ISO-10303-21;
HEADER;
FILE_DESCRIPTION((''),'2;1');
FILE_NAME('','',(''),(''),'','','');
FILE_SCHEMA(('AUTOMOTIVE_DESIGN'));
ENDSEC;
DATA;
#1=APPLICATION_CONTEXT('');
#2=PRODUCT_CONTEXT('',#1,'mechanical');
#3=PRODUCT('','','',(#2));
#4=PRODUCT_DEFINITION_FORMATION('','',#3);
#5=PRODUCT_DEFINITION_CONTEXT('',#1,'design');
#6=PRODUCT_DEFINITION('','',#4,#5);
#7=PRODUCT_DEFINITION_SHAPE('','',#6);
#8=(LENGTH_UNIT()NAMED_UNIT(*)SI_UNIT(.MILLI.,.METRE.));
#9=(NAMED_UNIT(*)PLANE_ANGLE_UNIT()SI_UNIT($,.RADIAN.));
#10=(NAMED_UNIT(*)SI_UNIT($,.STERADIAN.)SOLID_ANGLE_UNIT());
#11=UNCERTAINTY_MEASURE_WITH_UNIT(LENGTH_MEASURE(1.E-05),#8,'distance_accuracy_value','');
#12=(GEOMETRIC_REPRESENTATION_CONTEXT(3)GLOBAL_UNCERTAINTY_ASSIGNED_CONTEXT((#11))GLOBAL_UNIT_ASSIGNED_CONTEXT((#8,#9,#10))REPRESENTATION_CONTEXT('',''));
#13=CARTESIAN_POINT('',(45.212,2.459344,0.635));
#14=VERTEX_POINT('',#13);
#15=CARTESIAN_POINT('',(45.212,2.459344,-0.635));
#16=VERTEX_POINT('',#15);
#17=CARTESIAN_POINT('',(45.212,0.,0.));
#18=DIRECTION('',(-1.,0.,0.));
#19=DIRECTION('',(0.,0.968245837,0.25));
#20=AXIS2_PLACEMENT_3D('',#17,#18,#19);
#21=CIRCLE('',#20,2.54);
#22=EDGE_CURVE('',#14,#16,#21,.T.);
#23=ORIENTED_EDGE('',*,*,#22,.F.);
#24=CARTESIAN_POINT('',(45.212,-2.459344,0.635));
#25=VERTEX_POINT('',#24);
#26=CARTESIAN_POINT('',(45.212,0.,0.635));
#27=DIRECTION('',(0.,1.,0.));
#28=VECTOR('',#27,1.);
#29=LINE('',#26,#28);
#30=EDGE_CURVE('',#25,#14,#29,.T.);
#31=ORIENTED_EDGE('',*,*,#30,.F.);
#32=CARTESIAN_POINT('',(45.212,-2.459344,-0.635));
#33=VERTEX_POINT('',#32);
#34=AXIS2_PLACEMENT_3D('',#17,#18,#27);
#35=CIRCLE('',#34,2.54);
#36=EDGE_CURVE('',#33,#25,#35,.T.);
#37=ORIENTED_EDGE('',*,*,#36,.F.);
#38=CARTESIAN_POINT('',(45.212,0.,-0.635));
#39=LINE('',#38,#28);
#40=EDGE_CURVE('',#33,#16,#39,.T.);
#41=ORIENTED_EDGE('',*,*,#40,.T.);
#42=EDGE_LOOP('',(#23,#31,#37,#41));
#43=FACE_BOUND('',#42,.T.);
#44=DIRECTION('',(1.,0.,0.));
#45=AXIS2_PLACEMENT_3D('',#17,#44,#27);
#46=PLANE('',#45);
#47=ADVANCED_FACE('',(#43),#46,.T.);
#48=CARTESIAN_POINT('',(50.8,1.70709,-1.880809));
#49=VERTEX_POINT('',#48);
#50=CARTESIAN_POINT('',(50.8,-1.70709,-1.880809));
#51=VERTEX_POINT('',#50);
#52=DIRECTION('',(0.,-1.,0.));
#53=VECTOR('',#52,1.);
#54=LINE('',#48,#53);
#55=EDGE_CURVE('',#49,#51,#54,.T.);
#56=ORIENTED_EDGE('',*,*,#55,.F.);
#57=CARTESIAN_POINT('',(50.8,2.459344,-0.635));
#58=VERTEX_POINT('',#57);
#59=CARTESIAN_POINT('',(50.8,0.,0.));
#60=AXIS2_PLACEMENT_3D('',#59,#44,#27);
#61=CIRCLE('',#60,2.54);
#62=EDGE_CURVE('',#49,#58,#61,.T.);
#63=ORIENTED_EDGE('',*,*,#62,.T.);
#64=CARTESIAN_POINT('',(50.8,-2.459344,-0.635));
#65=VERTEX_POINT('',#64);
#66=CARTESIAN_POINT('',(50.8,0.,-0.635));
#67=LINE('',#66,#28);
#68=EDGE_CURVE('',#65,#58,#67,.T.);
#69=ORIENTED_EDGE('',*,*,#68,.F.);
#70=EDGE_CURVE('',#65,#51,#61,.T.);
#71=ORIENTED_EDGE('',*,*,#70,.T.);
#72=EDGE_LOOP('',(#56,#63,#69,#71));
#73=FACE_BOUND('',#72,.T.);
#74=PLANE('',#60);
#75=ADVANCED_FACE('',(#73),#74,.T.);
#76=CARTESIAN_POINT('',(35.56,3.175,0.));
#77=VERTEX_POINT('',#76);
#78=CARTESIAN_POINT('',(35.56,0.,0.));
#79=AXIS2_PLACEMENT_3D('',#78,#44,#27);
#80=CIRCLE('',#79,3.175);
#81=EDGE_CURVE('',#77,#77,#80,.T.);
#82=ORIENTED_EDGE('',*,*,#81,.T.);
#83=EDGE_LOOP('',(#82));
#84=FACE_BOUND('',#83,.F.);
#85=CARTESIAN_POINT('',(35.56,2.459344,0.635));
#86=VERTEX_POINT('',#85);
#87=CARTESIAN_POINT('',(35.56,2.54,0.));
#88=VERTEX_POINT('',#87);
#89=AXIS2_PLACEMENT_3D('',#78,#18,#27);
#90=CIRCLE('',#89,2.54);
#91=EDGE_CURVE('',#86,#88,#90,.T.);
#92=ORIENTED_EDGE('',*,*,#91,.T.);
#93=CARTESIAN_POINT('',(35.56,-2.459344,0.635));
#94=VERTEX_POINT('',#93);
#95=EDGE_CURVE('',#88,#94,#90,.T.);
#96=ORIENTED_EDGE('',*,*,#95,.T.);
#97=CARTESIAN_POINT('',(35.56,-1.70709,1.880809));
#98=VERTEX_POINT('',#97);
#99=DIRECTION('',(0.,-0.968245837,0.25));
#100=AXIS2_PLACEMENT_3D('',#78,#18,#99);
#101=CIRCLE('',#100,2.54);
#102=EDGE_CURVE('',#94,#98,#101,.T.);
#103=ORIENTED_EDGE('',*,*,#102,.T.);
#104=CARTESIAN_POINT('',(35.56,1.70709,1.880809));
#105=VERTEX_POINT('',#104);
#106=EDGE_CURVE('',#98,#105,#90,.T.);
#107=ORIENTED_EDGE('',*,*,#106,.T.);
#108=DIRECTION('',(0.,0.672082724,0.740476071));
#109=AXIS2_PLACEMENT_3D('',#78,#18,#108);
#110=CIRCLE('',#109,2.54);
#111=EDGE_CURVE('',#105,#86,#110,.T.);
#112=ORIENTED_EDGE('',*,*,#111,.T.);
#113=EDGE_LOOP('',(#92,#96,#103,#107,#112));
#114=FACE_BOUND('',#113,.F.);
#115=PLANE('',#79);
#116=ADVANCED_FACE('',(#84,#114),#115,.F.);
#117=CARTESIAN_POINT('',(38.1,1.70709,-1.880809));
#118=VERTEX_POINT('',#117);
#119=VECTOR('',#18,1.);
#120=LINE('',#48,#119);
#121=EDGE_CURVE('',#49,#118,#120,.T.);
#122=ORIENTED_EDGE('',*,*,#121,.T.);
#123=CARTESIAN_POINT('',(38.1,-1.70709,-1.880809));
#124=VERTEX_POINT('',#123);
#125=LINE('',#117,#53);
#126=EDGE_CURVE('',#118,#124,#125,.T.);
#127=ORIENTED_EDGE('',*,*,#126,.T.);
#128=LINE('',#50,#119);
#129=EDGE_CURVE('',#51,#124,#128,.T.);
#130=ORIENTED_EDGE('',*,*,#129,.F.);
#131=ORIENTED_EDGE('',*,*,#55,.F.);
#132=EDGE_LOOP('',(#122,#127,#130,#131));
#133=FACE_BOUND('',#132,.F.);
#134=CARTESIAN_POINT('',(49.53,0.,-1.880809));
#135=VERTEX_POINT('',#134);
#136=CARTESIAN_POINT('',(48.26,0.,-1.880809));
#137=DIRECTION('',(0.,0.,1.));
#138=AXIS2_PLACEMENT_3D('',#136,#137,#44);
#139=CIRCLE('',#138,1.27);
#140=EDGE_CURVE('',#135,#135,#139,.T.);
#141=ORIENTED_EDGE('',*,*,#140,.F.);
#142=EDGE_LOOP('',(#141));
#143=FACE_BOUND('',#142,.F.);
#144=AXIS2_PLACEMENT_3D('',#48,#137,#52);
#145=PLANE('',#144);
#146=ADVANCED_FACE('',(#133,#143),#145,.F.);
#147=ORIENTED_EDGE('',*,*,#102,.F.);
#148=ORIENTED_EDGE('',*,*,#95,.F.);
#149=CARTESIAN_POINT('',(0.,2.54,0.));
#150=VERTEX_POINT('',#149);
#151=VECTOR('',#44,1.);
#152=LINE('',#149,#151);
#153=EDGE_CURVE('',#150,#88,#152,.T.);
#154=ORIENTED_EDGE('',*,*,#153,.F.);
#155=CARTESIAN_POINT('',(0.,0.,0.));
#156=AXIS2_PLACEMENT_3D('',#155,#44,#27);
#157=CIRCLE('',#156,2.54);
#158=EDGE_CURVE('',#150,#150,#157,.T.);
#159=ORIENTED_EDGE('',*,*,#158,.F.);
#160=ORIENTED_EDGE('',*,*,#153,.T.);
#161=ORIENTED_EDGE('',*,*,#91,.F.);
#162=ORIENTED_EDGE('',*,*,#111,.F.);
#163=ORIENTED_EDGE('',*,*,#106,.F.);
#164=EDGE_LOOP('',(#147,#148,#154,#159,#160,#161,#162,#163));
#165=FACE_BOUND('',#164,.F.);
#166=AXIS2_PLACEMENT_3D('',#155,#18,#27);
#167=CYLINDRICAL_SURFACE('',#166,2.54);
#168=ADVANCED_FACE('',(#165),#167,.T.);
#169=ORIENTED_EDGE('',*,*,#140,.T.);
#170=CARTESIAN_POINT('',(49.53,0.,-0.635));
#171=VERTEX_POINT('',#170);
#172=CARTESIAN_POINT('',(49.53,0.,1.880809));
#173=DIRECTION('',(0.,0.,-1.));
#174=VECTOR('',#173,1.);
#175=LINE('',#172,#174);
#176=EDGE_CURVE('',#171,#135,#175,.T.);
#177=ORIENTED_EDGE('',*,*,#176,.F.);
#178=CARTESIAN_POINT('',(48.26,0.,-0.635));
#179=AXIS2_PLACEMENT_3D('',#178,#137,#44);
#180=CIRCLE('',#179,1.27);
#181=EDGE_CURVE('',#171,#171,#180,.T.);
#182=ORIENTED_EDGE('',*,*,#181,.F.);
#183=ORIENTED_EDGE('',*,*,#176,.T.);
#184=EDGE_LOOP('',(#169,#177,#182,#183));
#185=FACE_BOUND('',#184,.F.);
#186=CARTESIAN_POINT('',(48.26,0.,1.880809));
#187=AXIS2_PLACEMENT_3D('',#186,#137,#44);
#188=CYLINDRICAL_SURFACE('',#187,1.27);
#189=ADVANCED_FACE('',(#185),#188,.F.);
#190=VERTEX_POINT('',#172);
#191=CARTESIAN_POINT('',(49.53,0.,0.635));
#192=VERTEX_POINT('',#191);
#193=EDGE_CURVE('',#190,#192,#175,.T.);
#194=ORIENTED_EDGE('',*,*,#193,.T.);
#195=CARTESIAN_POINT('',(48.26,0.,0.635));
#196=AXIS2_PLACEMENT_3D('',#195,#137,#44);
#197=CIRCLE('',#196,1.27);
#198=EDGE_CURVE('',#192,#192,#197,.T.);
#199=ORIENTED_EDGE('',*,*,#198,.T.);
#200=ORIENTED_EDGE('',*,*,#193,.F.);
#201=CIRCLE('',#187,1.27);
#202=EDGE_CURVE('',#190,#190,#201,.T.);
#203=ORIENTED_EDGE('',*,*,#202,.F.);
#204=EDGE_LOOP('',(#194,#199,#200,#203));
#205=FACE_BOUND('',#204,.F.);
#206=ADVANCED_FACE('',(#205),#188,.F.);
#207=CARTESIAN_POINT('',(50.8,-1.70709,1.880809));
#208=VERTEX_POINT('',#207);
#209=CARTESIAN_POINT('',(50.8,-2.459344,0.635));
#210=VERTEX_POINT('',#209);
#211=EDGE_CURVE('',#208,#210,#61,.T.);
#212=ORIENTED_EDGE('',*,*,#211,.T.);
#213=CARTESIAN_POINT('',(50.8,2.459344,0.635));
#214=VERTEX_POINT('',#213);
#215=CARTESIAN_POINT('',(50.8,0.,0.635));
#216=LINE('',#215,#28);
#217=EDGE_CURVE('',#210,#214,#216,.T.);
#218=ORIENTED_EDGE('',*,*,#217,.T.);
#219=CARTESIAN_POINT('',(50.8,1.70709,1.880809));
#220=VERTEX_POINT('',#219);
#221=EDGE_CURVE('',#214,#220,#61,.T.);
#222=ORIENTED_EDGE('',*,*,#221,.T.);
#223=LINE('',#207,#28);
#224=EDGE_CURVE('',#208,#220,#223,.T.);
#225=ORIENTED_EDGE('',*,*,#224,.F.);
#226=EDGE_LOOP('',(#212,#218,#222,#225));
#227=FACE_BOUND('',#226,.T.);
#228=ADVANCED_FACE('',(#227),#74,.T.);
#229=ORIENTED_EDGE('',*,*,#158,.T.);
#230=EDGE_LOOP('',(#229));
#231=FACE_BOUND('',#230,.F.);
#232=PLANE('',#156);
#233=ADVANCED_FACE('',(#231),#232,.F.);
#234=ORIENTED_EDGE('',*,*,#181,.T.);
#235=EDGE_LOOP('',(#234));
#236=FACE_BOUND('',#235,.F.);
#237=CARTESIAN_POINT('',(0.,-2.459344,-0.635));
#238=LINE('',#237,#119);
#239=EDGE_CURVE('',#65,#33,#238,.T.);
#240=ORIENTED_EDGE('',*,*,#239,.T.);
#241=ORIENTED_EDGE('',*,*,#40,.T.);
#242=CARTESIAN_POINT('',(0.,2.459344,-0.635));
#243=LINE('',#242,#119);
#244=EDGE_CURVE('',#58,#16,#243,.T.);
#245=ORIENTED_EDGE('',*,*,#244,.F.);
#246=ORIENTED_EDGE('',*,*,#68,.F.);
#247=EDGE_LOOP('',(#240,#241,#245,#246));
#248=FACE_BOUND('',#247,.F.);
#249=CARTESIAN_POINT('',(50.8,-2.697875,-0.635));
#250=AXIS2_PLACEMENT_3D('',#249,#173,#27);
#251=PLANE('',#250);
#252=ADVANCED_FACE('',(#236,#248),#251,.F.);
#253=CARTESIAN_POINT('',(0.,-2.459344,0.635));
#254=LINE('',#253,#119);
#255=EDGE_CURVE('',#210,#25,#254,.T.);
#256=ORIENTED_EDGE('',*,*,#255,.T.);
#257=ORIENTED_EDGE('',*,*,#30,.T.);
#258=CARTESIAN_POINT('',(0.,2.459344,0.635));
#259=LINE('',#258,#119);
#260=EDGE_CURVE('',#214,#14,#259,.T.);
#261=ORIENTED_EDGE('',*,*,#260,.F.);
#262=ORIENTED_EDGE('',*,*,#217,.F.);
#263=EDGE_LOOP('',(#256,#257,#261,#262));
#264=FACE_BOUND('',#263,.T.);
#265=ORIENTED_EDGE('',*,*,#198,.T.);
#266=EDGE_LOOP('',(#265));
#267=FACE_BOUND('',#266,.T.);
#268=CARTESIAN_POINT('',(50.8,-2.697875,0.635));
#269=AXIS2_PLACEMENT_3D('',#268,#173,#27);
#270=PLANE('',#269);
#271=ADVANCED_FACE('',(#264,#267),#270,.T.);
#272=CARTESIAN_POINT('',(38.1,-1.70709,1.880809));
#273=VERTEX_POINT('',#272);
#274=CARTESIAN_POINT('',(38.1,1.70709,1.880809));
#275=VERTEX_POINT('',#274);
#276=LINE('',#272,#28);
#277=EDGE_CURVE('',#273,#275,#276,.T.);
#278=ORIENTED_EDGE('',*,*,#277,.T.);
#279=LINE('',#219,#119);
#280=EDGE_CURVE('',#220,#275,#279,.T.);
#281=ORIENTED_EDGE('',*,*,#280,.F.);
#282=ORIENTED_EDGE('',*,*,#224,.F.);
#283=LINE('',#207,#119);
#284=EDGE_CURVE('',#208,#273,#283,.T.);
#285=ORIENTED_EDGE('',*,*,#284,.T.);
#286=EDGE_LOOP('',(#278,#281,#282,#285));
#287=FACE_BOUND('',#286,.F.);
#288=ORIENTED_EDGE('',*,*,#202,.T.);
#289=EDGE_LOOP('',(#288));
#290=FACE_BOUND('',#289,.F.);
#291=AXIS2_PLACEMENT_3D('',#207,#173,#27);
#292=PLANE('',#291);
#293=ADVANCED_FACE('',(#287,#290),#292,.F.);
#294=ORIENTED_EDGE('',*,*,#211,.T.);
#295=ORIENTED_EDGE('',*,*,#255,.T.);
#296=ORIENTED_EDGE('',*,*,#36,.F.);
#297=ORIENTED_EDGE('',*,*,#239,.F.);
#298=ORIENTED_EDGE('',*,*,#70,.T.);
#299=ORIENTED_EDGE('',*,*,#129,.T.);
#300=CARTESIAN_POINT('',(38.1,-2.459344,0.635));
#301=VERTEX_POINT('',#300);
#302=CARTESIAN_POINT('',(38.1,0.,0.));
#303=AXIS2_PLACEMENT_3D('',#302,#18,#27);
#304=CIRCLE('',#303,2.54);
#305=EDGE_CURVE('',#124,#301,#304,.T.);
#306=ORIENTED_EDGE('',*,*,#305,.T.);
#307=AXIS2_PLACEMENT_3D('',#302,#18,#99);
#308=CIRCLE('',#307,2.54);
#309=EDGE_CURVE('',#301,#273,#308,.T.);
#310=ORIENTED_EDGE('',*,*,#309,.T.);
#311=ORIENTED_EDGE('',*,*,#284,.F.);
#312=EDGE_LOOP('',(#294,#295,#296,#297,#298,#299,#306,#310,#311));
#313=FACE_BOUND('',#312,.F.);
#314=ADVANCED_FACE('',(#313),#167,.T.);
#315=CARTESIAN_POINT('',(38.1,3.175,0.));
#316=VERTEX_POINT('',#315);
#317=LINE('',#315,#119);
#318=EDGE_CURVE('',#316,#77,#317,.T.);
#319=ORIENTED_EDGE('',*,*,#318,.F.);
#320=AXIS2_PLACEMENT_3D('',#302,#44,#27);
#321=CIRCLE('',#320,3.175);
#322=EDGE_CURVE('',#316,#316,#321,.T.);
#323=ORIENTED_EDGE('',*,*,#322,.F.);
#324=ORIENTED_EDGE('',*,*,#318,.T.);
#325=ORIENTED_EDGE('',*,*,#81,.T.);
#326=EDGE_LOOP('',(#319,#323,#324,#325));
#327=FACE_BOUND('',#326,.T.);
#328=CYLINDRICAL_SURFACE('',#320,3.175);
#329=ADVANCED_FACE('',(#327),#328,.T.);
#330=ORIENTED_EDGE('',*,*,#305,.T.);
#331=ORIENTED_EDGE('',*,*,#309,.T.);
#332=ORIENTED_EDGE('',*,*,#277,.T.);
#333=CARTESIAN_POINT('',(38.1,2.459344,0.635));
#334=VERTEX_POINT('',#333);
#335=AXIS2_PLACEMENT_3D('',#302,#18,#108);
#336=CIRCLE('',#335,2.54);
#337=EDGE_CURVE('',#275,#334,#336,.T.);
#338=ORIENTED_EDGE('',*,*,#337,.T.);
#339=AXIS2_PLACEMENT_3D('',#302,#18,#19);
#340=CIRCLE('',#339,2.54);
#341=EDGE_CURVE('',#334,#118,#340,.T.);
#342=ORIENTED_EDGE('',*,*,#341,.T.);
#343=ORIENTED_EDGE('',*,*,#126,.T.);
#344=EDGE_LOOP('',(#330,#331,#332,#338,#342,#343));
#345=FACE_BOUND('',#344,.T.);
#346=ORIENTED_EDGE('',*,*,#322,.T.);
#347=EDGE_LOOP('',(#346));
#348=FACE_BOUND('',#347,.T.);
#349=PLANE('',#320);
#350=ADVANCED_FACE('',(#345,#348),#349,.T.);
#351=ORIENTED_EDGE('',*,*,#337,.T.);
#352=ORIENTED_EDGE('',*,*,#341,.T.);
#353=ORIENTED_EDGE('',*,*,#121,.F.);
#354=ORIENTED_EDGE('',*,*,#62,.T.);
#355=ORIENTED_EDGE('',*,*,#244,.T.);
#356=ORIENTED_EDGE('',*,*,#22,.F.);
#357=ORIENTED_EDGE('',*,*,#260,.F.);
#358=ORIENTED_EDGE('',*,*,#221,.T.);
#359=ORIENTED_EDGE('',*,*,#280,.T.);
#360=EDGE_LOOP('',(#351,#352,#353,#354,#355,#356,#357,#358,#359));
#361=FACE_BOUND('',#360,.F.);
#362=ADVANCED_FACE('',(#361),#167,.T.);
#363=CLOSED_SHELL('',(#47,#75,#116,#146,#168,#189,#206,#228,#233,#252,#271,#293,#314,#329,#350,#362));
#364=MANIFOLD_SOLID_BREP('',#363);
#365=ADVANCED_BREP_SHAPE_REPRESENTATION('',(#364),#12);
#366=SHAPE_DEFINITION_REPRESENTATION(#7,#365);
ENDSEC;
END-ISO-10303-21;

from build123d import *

# Parameters (mm, degrees)
F0_R     = 2.54
F1_DEPTH = 50.8
F3_DEPTH = 12.7
F4_W     = 5.3957496343
F4_H     = 1.27
F5_DEPTH = 5.588
F6_R     = 1.27
F7_DEPTH = 25.4
F9_START = -12.7
F8_R     = 3.175
F9_DEPTH = 2.54


with BuildPart() as f1:
    # F0 (on Right) → F1 (new body)
    with BuildSketch(Plane.YZ):
        Circle(F0_R)
    extrude(amount=F1_DEPTH)

    # F2 (on face) → F3 (cut)
    with BuildSketch(Plane.YZ.offset(50.8)):
        with BuildLine():
            Line((1.7070901198, -3.1991907798), (1.7070901198, -1.8808092202))
            ThreePointArc((1.7070901198, -1.8808092202), (0, -2.54), (-1.7070901198, -1.8808092202))
            Line((-1.7070901198, -1.8808092202), (-1.7070901198, -3.1991907798))
            Line((-1.7070901198, -3.1991907798), (1.7070901198, -3.1991907798))
        make_face()
        with BuildLine():
            ThreePointArc((-1.7070901198, -1.8808092202), (0, -2.54), (1.7070901198, -1.8808092202))
            Line((1.7070901198, -1.8808092202), (-1.7070901198, -1.8808092202))
        make_face()
        with BuildLine():
            Line((-1.7070901198, 1.8808092202), (1.7070901198, 1.8808092202))
            ThreePointArc((1.7070901198, 1.8808092202), (0, 2.54), (-1.7070901198, 1.8808092202))
        make_face()
        with BuildLine():
            ThreePointArc((-1.7070901198, 1.8808092202), (0, 2.54), (1.7070901198, 1.8808092202))
            Line((1.7070901198, 1.8808092202), (1.7070901198, 3.1991907798))
            Line((1.7070901198, 3.1991907798), (-1.7070901198, 3.1991907798))
            Line((-1.7070901198, 3.1991907798), (-1.7070901198, 1.8808092202))
        make_face()
    extrude(amount=-F3_DEPTH, mode=Mode.SUBTRACT)

    # F4 (on face) → F5 (cut)
    with BuildSketch(Plane.YZ.offset(50.8)):
        Rectangle(F4_W, F4_H)
    extrude(amount=-F5_DEPTH, mode=Mode.SUBTRACT)

    # F6 (on face) → F7 (cut)
    with BuildSketch(Plane.XY.offset(1.8808092202)):
        with Locations((48.26, 0)):
            Circle(F6_R)
    extrude(amount=-F7_DEPTH, mode=Mode.SUBTRACT)

    # F8 (on face) → F9 (join)
    with BuildSketch(Plane.YZ.offset(50.8).offset(F9_START)):
        Circle(F8_R)
        with BuildLine():
            Line((2.4593444248, 0.635), (-2.4593444248, 0.635))
            ThreePointArc((-2.4593444248, 0.635), (-2.1743514797, 1.3129339827), (-1.7070901198, 1.8808092202))
            Line((-1.7070901198, 1.8808092202), (1.7070901198, 1.8808092202))
            ThreePointArc((1.7070901198, 1.8808092202), (2.1743514797, 1.3129339827), (2.4593444248, 0.635))
        make_face(mode=Mode.SUBTRACT)
    extrude(amount=-F9_DEPTH)


solid = f1.part
